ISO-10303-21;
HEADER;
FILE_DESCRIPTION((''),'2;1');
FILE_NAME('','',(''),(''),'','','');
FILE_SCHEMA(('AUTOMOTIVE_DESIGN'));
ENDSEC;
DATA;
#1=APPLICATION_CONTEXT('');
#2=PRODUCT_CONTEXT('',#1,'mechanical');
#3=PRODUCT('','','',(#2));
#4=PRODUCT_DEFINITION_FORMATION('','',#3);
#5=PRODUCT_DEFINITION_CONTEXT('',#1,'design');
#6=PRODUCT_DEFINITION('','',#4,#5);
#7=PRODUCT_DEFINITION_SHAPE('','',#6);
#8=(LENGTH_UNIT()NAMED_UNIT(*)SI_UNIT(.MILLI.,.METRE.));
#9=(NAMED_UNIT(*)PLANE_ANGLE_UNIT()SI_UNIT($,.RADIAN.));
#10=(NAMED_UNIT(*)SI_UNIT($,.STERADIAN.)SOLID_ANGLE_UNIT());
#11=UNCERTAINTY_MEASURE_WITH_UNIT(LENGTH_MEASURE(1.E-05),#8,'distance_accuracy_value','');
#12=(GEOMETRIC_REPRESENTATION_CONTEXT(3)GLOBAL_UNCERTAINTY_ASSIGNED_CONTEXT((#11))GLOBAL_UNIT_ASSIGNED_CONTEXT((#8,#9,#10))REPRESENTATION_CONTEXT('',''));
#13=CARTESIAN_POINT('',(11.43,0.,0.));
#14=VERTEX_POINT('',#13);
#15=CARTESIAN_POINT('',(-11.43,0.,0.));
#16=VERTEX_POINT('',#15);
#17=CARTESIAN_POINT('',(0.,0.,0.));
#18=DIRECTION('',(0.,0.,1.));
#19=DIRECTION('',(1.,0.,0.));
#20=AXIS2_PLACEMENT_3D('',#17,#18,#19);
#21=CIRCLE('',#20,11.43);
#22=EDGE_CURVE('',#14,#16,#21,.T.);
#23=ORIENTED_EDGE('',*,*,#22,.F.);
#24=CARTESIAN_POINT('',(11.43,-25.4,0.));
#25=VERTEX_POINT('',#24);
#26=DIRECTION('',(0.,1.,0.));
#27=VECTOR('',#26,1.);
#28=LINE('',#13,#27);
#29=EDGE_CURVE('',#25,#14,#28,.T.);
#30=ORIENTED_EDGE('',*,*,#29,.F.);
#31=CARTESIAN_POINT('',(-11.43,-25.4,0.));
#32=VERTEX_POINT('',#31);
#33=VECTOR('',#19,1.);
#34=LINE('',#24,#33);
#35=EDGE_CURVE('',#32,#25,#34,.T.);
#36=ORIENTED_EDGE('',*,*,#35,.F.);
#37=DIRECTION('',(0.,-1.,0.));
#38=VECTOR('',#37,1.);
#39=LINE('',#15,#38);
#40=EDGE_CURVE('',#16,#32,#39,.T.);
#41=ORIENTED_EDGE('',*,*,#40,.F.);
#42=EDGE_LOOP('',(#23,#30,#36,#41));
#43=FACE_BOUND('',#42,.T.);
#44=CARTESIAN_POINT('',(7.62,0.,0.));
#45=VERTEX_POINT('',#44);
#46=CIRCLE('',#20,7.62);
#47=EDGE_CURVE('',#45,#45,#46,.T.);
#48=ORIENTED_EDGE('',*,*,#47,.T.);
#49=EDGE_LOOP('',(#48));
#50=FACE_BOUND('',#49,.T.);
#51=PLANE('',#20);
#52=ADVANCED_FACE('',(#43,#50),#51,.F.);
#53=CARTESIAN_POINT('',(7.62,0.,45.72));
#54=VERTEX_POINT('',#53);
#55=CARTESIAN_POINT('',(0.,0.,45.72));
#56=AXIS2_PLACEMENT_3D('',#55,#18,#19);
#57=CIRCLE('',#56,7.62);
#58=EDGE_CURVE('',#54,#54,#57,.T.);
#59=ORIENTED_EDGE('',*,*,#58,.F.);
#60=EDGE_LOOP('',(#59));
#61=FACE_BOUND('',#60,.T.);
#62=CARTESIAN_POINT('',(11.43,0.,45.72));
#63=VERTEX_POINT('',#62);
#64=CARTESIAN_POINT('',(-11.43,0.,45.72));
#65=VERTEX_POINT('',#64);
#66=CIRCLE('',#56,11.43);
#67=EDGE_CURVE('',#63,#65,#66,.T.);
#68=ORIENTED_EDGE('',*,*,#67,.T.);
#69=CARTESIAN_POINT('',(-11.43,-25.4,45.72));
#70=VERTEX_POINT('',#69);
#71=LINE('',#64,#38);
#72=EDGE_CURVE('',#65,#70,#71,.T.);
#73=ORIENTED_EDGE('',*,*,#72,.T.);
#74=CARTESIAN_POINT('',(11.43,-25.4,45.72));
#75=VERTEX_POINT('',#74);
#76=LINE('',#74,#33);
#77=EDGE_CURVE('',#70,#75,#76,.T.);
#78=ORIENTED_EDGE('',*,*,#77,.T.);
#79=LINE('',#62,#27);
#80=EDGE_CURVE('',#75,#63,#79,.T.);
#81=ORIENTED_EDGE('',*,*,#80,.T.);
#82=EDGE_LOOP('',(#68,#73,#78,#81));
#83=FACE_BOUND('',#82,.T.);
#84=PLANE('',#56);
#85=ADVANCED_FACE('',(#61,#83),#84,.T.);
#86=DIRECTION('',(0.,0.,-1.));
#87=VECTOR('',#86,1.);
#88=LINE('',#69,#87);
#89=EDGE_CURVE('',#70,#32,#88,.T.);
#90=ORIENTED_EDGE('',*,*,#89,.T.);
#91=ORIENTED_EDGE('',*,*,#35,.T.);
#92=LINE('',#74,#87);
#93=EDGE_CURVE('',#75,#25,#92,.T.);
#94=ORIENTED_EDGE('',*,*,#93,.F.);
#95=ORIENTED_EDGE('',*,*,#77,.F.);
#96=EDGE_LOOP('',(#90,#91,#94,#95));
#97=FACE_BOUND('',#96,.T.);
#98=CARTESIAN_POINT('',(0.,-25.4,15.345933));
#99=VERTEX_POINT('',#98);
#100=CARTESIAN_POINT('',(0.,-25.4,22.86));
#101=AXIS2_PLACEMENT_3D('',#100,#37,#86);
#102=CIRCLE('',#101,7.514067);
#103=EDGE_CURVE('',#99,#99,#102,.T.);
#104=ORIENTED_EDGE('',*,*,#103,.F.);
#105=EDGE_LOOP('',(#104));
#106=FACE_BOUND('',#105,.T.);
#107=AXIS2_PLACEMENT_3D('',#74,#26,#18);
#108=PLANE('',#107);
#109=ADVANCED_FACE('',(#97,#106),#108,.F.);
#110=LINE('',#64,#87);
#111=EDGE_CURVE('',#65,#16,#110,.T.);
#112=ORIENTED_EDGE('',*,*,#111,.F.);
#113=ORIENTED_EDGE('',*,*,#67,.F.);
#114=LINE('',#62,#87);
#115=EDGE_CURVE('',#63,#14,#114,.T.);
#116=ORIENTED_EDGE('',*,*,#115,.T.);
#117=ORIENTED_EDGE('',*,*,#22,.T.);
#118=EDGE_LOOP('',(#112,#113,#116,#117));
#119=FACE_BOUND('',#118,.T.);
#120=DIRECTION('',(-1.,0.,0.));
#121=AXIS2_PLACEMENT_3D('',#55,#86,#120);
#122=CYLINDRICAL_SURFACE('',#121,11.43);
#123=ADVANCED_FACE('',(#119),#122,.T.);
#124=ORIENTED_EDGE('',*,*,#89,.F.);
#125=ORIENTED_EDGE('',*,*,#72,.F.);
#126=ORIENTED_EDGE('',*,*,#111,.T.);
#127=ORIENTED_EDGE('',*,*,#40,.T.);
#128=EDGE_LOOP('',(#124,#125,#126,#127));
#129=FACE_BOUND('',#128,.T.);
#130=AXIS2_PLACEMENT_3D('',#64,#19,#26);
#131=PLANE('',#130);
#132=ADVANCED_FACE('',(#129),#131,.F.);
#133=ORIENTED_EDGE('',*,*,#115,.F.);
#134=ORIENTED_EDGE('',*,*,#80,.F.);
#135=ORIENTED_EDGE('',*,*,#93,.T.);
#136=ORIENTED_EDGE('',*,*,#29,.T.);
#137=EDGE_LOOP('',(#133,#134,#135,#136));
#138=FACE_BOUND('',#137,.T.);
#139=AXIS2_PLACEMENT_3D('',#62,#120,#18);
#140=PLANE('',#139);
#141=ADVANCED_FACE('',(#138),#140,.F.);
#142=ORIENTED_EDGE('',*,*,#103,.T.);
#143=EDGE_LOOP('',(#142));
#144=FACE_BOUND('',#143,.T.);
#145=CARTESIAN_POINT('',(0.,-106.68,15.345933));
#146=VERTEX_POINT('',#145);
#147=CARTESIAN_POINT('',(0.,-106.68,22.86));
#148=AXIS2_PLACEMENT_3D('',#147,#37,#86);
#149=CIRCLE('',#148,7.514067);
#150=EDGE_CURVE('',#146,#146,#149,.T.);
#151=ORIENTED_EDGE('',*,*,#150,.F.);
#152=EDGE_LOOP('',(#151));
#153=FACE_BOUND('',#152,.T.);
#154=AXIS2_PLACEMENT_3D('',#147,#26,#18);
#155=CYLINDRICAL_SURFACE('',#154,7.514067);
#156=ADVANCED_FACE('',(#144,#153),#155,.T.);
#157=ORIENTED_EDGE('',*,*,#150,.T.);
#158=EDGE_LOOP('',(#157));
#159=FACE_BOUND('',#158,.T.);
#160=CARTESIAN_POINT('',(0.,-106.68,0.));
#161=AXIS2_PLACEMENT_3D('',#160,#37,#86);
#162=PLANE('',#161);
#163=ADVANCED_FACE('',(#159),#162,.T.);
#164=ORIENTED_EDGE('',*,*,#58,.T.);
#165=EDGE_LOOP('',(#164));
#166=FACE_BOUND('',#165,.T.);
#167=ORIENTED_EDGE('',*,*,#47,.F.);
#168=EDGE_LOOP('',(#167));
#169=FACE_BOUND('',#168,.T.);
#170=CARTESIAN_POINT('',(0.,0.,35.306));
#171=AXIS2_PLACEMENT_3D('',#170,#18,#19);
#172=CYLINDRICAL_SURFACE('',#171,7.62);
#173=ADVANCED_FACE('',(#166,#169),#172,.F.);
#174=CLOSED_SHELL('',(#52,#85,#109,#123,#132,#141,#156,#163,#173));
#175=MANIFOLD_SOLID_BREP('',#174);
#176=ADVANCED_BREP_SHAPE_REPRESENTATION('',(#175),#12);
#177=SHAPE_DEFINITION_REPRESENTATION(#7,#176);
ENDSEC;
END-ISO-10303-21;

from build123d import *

# Parameters (mm, degrees)
BOSS_EXTRUDE1_DEPTH = 45.72
SKETCH2_R           = 7.62
CUT_EXTRUDE1_DEPTH  = 10.414
SKETCH3_R           = 7.62
CUT_EXTRUDE2_DEPTH  = 76.2
BOSS_EXTRUDE2_DEPTH = 81.28


with BuildPart() as part:
    # Sketch1 → Boss-Extrude1 (new body)
    with BuildSketch(Plane.XY):
        with BuildLine():
            Line((-11.43, 0), (-11.43, -25.4))
            Line((-11.43, -25.4), (11.43, -25.4))
            Line((11.43, -25.4), (11.43, 0))
            ThreePointArc((11.43, 0), (0, 11.43), (-11.43, 0))
        make_face()
    extrude(amount=BOSS_EXTRUDE1_DEPTH)

    # Sketch2 → Cut-Extrude1 (cut)
    with BuildSketch(Plane.XY.offset(45.72)):
        Circle(SKETCH2_R)
    extrude(amount=-CUT_EXTRUDE1_DEPTH, mode=Mode.SUBTRACT)

    # Sketch3 → Cut-Extrude2 (cut)
    with BuildSketch(Plane.XY.offset(45.72)):
        Circle(SKETCH3_R)
    extrude(amount=-CUT_EXTRUDE2_DEPTH, mode=Mode.SUBTRACT)

    # Sketch4 → Boss-Extrude2 (add)
    with BuildSketch(Plane.XZ.offset(25.4)):
        with BuildLine():
            ThreePointArc((-7.514066823, 22.86), (-5.313247605, 17.546752395), (0, 15.345933177))
            Line((0, 15.345933177), (0, 22.86))
            Line((0, 22.86), (-7.514066823, 22.86))
        make_face()
        with BuildLine():
            Line((0, 22.86), (0, 15.345933177))
            ThreePointArc((0, 15.345933177), (5.313247605, 17.546752395), (7.514066823, 22.86))
            Line((7.514066823, 22.86), (0, 22.86))
        make_face()
        with BuildLine():
            Line((-7.514066823, 22.86), (0, 22.86))
            Line((0, 22.86), (0, 30.374066823))
            ThreePointArc((0, 30.374066823), (-5.313247605, 28.173247605), (-7.514066823, 22.86))
        make_face()
        with BuildLine():
            Line((0, 30.374066823), (0, 22.86))
            Line((0, 22.86), (7.514066823, 22.86))
            ThreePointArc((7.514066823, 22.86), (5.313247605, 28.173247605), (0, 30.374066823))
        make_face()
    extrude(amount=BOSS_EXTRUDE2_DEPTH)


solid = part.part
